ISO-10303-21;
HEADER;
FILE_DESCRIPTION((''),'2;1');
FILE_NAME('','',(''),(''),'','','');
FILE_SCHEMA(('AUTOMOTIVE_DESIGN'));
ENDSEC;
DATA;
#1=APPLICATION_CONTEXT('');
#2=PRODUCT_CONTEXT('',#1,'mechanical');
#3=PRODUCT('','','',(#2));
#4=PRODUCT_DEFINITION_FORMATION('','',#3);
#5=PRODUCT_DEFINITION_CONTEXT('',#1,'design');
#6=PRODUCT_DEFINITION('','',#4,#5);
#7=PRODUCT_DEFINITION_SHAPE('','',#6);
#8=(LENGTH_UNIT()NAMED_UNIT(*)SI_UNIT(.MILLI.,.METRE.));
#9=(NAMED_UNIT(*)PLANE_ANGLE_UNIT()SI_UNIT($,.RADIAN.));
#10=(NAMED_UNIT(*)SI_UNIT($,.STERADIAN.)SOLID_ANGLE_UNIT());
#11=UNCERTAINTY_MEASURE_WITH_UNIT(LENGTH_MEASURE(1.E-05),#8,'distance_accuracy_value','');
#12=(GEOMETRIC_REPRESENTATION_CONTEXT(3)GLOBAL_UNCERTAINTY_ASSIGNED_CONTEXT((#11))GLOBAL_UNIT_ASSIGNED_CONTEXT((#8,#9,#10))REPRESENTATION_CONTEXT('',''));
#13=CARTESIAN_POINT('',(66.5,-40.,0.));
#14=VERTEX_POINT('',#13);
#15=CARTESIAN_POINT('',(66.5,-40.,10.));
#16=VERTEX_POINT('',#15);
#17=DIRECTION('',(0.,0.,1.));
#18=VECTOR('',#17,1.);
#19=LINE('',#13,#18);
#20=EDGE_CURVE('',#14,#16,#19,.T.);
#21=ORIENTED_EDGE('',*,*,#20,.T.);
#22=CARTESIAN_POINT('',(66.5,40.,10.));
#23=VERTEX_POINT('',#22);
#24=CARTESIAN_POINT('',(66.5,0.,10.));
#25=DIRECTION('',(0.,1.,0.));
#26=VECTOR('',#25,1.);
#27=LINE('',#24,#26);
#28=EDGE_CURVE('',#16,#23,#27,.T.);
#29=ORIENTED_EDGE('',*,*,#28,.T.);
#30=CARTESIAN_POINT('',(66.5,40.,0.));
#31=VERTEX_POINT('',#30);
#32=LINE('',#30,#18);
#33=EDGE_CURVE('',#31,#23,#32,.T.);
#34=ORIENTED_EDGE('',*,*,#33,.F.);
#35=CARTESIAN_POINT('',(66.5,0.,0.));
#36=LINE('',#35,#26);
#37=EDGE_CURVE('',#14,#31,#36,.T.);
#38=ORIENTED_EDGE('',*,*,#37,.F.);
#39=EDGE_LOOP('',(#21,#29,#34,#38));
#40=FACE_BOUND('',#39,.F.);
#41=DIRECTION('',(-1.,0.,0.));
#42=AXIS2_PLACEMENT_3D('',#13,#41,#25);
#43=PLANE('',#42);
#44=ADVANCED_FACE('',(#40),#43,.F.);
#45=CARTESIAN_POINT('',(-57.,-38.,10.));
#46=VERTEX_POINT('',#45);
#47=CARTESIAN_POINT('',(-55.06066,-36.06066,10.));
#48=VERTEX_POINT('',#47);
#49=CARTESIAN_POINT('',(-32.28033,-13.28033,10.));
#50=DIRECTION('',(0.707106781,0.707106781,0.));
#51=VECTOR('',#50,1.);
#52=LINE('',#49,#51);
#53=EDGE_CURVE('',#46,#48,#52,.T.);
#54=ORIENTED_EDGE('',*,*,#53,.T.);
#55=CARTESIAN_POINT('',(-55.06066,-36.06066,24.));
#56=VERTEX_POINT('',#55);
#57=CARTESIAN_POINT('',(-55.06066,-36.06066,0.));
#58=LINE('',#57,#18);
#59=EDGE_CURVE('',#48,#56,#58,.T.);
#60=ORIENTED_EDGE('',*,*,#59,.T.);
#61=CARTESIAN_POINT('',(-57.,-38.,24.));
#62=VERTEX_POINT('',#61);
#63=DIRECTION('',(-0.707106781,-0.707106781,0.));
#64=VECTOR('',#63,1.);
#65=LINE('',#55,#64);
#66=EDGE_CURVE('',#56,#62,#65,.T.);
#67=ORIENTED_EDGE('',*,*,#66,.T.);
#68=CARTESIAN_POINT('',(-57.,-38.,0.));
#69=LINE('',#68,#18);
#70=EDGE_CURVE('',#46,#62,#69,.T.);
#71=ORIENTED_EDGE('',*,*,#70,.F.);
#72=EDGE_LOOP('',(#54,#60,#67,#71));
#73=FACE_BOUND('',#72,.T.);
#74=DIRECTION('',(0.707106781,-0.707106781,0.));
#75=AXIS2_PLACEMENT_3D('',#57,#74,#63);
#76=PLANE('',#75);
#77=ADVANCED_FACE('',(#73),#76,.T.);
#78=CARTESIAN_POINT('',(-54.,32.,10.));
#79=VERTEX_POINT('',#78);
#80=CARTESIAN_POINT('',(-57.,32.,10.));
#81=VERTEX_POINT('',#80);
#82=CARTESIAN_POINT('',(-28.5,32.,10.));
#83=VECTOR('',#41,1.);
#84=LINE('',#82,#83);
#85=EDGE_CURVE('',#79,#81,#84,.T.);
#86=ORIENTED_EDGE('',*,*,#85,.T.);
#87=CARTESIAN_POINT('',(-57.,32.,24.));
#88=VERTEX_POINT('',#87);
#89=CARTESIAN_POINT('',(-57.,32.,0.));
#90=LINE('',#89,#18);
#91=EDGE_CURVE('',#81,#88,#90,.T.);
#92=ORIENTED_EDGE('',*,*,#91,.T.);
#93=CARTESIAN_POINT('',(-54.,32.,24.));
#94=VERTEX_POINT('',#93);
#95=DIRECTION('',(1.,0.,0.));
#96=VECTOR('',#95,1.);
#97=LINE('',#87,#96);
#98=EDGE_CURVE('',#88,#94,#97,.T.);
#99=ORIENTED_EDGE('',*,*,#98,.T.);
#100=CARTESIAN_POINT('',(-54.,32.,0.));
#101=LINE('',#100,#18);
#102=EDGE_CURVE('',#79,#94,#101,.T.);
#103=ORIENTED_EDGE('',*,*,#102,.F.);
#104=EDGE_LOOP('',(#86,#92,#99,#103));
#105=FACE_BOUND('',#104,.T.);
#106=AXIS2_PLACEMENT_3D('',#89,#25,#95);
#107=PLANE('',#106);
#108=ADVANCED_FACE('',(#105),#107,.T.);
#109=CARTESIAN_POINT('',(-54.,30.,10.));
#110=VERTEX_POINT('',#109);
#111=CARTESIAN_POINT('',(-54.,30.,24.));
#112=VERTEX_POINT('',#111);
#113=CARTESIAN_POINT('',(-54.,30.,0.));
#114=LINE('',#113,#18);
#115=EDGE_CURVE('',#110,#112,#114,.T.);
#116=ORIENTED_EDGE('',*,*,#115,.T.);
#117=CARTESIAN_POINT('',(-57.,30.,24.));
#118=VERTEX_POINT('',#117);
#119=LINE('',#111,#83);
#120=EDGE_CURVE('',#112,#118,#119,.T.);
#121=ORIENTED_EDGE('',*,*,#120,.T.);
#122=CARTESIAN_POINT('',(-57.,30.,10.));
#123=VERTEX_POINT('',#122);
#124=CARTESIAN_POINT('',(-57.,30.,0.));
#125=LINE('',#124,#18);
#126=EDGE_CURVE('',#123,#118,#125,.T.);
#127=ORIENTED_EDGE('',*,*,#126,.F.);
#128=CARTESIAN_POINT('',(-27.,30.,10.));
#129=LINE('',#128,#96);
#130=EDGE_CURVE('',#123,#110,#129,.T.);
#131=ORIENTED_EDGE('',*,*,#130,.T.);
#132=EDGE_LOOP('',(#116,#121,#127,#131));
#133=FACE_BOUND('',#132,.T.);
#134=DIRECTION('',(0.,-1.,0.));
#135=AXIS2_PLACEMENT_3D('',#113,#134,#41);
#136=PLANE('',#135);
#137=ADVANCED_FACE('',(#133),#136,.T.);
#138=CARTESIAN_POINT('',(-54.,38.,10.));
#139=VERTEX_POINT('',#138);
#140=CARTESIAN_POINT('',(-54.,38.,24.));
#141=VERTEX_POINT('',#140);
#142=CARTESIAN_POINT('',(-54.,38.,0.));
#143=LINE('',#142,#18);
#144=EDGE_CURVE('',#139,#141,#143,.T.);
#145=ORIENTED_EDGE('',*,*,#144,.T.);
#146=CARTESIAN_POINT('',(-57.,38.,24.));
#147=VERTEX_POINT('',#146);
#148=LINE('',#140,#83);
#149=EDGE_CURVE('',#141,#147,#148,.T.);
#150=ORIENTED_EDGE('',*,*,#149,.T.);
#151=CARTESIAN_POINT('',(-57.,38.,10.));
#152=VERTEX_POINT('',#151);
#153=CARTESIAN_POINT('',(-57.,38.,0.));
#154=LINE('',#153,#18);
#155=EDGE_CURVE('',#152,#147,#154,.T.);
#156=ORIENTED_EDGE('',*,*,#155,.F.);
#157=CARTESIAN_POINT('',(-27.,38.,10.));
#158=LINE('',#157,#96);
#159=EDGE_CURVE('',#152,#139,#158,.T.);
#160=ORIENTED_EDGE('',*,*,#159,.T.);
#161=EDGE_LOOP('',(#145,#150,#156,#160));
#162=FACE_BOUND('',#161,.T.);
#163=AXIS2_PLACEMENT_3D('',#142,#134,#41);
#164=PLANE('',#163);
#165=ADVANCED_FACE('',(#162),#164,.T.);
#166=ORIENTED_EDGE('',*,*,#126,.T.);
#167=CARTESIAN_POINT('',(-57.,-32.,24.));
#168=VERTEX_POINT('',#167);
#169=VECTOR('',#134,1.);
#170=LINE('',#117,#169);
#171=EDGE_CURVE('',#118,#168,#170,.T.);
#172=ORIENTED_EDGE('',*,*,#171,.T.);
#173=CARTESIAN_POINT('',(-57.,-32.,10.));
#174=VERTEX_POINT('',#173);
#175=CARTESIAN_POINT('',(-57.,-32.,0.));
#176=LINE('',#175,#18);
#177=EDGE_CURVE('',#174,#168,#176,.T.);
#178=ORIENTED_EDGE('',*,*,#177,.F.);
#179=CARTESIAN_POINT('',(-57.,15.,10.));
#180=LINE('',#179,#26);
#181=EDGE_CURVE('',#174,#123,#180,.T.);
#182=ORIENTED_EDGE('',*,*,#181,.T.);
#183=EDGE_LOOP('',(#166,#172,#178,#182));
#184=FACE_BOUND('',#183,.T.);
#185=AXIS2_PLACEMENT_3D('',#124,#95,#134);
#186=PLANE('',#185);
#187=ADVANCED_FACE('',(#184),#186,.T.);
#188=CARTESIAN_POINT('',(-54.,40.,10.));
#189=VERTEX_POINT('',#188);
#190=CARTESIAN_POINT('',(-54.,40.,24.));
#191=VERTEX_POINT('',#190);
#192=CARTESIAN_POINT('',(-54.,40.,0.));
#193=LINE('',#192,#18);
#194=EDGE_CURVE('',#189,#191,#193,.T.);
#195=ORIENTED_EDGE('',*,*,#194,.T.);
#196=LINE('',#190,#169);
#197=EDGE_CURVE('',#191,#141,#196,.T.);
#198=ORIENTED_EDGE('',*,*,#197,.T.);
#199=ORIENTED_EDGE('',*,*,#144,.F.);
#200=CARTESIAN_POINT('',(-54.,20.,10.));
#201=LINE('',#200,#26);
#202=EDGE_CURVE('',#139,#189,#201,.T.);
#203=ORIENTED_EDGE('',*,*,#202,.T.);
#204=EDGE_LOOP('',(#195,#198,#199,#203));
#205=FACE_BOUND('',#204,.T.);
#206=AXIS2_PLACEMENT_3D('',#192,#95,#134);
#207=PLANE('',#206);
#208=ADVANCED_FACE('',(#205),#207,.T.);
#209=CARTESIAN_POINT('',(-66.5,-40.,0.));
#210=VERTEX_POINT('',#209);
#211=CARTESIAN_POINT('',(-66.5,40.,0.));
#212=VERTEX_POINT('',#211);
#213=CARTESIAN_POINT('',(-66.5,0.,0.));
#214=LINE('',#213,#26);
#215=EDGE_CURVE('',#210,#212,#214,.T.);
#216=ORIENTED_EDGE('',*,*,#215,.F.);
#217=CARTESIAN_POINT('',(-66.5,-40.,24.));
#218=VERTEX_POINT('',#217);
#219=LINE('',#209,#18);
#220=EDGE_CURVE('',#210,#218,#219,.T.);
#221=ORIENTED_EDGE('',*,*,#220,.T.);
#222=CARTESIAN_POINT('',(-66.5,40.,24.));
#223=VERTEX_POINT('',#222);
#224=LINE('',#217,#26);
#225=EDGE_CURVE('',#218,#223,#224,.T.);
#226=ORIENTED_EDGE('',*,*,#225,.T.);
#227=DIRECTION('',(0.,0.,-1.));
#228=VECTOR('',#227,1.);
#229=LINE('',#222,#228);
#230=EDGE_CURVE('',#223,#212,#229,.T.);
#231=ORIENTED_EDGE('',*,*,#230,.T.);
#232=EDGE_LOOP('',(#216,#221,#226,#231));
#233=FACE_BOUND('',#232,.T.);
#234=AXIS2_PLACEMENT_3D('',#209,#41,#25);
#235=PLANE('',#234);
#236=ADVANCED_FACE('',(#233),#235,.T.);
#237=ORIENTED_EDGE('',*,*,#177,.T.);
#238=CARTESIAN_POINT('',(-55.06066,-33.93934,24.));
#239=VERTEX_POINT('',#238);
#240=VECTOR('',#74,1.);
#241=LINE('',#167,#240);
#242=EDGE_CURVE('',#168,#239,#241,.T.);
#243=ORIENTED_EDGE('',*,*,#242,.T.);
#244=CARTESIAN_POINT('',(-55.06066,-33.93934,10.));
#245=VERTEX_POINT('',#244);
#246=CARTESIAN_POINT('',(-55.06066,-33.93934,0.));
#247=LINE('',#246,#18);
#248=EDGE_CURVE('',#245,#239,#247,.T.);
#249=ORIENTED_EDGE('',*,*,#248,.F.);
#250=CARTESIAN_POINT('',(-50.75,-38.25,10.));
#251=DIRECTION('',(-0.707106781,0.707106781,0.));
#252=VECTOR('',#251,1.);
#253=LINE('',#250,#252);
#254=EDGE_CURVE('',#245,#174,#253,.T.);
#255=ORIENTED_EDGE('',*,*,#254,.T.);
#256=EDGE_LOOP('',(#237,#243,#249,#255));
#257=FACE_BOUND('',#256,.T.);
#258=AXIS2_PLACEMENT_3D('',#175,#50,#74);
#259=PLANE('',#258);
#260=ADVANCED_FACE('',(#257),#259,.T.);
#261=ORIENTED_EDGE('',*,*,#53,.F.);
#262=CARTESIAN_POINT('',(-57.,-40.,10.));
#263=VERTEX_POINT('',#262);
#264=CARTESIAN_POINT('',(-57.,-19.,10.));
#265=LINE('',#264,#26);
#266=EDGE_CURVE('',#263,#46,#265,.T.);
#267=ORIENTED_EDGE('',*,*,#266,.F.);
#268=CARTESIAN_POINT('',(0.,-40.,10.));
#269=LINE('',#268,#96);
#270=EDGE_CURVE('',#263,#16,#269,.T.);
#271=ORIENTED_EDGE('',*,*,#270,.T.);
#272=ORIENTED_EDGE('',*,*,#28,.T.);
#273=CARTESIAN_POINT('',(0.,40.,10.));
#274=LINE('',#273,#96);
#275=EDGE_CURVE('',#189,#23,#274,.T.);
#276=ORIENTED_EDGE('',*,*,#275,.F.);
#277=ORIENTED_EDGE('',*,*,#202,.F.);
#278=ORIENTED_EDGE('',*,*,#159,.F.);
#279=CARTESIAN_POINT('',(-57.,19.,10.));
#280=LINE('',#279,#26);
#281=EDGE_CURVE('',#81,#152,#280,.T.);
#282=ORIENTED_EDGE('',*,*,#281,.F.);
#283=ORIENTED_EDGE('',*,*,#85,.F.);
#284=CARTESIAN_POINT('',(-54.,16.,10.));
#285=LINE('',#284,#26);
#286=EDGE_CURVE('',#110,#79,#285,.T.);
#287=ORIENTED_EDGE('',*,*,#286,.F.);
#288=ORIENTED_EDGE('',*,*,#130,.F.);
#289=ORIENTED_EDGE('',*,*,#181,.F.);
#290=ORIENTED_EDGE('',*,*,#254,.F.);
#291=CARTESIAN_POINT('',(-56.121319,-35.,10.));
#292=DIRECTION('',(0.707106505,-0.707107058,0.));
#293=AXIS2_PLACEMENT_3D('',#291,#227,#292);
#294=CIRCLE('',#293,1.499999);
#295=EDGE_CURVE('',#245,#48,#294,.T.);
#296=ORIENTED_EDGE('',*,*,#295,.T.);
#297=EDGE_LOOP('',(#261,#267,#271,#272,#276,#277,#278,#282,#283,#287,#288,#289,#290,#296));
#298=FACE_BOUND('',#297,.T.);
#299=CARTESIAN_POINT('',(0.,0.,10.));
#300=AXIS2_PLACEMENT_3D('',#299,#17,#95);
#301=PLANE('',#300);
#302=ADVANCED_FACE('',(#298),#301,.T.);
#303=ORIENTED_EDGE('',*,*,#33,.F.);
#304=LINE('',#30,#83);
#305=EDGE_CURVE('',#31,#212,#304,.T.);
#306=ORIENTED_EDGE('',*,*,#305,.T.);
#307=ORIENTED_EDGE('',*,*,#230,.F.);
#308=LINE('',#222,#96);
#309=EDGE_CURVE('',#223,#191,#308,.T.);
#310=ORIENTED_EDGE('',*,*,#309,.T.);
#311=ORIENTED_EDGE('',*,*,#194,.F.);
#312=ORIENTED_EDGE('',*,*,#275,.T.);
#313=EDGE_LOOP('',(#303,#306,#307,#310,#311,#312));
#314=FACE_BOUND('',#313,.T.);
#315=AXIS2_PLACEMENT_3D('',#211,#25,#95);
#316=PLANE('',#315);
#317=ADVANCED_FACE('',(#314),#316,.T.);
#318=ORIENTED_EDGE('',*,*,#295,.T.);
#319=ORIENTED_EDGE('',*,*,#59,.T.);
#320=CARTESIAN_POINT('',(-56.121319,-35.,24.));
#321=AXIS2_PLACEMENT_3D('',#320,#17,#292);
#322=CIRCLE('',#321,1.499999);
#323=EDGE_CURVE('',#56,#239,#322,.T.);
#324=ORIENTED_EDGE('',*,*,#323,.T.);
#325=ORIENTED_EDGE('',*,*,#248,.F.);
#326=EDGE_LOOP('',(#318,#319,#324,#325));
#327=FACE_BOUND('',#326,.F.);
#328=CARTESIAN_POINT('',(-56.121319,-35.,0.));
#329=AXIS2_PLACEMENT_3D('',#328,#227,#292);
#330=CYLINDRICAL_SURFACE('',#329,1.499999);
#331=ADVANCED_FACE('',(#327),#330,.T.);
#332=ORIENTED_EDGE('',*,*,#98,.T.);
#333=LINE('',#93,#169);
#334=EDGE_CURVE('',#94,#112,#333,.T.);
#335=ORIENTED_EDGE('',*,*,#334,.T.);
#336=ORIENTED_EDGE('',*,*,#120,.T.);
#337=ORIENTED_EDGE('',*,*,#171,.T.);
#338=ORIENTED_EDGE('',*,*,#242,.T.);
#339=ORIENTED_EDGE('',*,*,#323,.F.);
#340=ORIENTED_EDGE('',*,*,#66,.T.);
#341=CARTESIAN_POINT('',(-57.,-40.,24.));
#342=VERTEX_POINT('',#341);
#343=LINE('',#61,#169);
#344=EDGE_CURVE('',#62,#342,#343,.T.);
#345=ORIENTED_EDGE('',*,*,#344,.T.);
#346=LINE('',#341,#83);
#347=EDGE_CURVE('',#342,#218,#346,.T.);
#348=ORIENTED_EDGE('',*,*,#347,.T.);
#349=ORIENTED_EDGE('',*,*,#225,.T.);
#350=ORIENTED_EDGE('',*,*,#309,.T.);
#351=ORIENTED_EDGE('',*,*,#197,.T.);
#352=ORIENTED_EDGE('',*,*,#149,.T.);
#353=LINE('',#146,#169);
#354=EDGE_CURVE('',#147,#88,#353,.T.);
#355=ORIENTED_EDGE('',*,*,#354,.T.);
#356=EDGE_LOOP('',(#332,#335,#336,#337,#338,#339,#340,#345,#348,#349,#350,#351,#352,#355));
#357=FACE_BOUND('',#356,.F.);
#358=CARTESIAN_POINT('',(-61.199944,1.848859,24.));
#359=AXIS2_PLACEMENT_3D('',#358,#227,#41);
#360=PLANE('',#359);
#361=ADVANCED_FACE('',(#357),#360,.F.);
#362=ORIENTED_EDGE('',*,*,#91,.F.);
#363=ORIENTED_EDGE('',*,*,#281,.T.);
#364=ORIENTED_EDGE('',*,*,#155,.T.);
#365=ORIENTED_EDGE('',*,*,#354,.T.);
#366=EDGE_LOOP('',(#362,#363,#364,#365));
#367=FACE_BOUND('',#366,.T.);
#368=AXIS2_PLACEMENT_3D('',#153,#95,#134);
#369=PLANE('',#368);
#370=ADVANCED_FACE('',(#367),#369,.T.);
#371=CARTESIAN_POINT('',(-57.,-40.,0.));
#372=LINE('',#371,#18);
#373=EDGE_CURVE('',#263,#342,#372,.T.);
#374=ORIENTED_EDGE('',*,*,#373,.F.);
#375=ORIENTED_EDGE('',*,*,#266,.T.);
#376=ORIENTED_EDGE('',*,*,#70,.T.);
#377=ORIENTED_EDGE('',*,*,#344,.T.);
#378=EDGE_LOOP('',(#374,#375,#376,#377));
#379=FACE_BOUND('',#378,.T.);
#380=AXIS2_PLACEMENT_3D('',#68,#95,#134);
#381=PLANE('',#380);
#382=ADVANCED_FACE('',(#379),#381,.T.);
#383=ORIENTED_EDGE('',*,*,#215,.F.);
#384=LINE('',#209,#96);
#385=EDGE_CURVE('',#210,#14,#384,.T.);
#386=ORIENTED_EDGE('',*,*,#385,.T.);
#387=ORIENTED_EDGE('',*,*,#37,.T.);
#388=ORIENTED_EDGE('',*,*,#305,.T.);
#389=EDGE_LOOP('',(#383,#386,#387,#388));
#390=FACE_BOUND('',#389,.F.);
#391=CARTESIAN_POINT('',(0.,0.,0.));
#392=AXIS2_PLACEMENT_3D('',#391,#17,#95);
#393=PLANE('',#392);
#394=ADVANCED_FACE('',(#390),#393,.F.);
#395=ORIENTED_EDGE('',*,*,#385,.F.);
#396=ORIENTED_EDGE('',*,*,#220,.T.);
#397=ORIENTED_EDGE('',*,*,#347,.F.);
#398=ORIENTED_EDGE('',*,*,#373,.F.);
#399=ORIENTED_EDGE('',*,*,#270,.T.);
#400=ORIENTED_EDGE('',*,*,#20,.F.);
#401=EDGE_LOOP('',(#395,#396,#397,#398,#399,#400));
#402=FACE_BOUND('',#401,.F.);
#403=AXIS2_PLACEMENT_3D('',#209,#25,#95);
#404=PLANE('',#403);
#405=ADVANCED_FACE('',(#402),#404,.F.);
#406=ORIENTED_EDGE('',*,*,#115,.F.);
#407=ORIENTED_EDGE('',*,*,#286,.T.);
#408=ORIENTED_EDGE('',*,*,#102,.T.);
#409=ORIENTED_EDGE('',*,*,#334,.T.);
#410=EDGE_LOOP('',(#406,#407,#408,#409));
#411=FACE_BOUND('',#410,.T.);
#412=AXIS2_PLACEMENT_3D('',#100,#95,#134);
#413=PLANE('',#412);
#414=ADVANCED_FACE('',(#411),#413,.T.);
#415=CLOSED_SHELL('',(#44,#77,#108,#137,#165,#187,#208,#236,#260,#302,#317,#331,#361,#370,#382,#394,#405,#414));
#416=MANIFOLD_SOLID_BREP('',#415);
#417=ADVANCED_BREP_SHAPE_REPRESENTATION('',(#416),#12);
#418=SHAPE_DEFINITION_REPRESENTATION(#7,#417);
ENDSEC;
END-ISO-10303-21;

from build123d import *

# Parameters (mm, degrees)
SKETCH_W     = 133
SKETCH_H     = 80
PAD_DEPTH    = 10
PAD001_DEPTH = 24


with BuildPart() as part:
    # Sketch → Pad (new body)
    with BuildSketch(Plane.XY):
        Rectangle(SKETCH_W, SKETCH_H)
    extrude(amount=PAD_DEPTH)

    # Sketch001 → Pad001 (join)
    with BuildSketch(Plane.XY):
        with BuildLine():
            Line((-66.5, -40), (-66.5, 40))
            Line((-66.5, 40), (-54, 40))
            Line((-54, 40), (-54, 38))
            Line((-54, 38), (-57, 38))
            Line((-57, 38), (-57, 32))
            Line((-57, 32), (-54, 32))
            Line((-54, 32), (-54, 30))
            Line((-54, 30), (-57, 30))
            Line((-57, 30), (-57, -32))
            Line((-57, -32), (-55.06066, -33.93934))
            ThreePointArc((-55.06066, -36.06066), (-54.62132, -35), (-55.06066, -33.93934))
            Line((-55.06066, -36.06066), (-57, -38))
            Line((-57, -38), (-57, -40))
            Line((-57, -40), (-66.5, -40))
        make_face()
    extrude(amount=PAD001_DEPTH)


solid = part.part
